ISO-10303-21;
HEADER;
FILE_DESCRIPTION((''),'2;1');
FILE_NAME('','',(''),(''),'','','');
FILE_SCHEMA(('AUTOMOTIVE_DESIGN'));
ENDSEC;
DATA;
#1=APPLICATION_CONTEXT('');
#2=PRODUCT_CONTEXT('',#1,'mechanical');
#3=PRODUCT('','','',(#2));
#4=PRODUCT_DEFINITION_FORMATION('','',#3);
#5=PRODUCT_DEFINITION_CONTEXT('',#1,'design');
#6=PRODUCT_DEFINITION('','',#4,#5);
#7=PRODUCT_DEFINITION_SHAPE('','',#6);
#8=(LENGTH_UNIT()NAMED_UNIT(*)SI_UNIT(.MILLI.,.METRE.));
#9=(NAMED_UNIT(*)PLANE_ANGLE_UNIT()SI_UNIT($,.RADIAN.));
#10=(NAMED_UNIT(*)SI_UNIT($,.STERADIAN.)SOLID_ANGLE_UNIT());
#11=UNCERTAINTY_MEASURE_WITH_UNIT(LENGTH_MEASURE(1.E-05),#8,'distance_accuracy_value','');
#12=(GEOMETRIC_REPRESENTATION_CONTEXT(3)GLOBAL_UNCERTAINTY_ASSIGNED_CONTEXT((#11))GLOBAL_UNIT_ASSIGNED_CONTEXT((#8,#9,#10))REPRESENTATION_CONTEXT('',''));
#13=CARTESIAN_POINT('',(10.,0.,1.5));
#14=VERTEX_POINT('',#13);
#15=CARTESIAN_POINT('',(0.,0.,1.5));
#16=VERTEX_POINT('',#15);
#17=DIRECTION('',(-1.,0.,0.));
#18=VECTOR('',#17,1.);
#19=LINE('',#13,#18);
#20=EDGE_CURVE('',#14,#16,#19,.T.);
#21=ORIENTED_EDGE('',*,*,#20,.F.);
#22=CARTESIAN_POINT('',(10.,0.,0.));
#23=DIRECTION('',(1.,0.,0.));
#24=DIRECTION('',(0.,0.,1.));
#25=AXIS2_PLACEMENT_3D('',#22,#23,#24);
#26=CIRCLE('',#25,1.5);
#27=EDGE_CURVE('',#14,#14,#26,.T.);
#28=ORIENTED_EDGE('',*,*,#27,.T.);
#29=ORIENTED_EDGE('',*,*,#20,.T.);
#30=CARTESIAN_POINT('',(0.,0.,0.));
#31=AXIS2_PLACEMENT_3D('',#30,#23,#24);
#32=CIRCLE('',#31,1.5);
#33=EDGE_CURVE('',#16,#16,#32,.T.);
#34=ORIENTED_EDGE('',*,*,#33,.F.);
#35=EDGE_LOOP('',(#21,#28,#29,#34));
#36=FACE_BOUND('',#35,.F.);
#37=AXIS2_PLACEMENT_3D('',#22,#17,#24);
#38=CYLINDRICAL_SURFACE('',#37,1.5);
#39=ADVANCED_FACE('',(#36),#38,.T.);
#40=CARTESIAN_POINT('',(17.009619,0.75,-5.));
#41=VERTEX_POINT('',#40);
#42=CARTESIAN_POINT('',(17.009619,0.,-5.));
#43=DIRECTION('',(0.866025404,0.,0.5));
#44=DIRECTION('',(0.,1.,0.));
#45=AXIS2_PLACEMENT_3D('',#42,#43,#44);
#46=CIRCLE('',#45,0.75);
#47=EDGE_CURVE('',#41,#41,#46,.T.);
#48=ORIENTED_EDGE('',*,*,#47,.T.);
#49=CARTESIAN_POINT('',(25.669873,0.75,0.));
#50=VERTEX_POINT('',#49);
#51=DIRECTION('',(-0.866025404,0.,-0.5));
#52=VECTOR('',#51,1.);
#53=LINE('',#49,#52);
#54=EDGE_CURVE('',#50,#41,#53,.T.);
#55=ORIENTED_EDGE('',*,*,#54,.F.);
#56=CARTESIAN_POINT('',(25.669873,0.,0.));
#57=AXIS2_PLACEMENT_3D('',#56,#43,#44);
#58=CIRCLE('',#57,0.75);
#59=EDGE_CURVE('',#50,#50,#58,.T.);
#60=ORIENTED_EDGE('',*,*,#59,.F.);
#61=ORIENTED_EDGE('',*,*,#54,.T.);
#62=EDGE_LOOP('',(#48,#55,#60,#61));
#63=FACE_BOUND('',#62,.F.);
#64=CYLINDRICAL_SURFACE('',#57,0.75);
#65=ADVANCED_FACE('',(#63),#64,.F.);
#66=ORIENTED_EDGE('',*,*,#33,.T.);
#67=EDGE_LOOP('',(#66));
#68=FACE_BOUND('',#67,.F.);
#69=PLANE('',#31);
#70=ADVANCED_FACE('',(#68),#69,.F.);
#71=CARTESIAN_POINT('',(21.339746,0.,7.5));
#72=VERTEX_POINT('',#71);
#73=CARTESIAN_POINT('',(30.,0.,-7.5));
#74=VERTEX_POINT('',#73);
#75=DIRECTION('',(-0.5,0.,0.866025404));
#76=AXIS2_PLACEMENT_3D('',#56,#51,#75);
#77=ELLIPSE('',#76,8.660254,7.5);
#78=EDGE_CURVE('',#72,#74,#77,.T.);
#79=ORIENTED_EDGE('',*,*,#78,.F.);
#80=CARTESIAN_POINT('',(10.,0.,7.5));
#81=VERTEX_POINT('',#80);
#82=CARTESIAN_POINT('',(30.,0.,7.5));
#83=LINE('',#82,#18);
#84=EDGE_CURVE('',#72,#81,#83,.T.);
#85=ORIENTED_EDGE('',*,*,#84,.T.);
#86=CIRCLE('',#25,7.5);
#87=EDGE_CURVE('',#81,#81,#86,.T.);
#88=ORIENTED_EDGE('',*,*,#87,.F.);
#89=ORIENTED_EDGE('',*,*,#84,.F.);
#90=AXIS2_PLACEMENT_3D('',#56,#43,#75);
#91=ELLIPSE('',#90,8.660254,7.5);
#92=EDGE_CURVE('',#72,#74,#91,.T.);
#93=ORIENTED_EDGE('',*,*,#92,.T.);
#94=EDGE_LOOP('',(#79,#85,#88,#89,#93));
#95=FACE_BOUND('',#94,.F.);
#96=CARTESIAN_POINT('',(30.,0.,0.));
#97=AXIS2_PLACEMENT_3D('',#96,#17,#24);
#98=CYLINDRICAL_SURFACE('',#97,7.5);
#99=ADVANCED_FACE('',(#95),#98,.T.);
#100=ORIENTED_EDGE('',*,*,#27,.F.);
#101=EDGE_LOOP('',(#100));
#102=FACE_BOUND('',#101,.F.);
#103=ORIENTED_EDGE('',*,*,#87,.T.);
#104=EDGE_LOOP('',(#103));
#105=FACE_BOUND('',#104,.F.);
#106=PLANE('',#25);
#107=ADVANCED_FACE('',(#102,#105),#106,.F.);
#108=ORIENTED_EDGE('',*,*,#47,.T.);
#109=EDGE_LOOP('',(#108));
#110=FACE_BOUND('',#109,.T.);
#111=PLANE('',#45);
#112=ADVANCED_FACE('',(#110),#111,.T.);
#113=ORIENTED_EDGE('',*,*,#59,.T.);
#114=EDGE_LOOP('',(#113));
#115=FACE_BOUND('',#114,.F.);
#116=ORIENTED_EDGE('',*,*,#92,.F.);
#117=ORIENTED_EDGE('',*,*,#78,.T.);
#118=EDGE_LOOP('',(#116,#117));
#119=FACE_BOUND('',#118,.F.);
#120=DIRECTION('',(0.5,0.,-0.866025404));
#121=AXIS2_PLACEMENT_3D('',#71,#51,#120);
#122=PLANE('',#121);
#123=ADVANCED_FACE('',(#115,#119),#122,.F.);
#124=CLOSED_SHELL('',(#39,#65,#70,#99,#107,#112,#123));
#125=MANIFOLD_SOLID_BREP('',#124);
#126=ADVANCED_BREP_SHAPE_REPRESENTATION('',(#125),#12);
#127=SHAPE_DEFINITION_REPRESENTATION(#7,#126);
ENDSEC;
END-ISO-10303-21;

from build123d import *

# Parameters (mm, degrees)
F3_DEPTH      = 7.501
F3_DEPTH_BACK = 7.501
F4_R          = 0.75
F5_DEPTH      = 10


with BuildPart() as f1:
    # F0 (on Front) → F1 (revolve)
    with BuildSketch(Plane.XZ):
        Polygon((30, 7.5), (10, 7.5), (10, 1.5), (0, 1.5), (0, 0), (30, 0), align=None)
    revolve(axis=Axis((8.7773360142, 0, 0), (1, 0, 0)))

    # F2 (on Front) → F3 (cut, two sides)
    with BuildSketch(Plane.XZ) as f3_sk:
        Polygon((21.3397459622, 7.5), (30, -7.5), (30, 7.5), align=None)
    extrude(amount=-F3_DEPTH, mode=Mode.SUBTRACT)
    extrude(f3_sk.sketch, amount=F3_DEPTH_BACK, mode=Mode.SUBTRACT)

    # F4 (on face) → F5 (cut)
    with BuildSketch(Plane(origin=(19.2524047358, 0, 11.1153810568), x_dir=(0, 1, 0), z_dir=(0.8660254038, 0, 0.5))):
        with Locations((0, -12.8349364905)):
            Circle(F4_R)
    extrude(amount=-F5_DEPTH, mode=Mode.SUBTRACT)


solid = f1.part
